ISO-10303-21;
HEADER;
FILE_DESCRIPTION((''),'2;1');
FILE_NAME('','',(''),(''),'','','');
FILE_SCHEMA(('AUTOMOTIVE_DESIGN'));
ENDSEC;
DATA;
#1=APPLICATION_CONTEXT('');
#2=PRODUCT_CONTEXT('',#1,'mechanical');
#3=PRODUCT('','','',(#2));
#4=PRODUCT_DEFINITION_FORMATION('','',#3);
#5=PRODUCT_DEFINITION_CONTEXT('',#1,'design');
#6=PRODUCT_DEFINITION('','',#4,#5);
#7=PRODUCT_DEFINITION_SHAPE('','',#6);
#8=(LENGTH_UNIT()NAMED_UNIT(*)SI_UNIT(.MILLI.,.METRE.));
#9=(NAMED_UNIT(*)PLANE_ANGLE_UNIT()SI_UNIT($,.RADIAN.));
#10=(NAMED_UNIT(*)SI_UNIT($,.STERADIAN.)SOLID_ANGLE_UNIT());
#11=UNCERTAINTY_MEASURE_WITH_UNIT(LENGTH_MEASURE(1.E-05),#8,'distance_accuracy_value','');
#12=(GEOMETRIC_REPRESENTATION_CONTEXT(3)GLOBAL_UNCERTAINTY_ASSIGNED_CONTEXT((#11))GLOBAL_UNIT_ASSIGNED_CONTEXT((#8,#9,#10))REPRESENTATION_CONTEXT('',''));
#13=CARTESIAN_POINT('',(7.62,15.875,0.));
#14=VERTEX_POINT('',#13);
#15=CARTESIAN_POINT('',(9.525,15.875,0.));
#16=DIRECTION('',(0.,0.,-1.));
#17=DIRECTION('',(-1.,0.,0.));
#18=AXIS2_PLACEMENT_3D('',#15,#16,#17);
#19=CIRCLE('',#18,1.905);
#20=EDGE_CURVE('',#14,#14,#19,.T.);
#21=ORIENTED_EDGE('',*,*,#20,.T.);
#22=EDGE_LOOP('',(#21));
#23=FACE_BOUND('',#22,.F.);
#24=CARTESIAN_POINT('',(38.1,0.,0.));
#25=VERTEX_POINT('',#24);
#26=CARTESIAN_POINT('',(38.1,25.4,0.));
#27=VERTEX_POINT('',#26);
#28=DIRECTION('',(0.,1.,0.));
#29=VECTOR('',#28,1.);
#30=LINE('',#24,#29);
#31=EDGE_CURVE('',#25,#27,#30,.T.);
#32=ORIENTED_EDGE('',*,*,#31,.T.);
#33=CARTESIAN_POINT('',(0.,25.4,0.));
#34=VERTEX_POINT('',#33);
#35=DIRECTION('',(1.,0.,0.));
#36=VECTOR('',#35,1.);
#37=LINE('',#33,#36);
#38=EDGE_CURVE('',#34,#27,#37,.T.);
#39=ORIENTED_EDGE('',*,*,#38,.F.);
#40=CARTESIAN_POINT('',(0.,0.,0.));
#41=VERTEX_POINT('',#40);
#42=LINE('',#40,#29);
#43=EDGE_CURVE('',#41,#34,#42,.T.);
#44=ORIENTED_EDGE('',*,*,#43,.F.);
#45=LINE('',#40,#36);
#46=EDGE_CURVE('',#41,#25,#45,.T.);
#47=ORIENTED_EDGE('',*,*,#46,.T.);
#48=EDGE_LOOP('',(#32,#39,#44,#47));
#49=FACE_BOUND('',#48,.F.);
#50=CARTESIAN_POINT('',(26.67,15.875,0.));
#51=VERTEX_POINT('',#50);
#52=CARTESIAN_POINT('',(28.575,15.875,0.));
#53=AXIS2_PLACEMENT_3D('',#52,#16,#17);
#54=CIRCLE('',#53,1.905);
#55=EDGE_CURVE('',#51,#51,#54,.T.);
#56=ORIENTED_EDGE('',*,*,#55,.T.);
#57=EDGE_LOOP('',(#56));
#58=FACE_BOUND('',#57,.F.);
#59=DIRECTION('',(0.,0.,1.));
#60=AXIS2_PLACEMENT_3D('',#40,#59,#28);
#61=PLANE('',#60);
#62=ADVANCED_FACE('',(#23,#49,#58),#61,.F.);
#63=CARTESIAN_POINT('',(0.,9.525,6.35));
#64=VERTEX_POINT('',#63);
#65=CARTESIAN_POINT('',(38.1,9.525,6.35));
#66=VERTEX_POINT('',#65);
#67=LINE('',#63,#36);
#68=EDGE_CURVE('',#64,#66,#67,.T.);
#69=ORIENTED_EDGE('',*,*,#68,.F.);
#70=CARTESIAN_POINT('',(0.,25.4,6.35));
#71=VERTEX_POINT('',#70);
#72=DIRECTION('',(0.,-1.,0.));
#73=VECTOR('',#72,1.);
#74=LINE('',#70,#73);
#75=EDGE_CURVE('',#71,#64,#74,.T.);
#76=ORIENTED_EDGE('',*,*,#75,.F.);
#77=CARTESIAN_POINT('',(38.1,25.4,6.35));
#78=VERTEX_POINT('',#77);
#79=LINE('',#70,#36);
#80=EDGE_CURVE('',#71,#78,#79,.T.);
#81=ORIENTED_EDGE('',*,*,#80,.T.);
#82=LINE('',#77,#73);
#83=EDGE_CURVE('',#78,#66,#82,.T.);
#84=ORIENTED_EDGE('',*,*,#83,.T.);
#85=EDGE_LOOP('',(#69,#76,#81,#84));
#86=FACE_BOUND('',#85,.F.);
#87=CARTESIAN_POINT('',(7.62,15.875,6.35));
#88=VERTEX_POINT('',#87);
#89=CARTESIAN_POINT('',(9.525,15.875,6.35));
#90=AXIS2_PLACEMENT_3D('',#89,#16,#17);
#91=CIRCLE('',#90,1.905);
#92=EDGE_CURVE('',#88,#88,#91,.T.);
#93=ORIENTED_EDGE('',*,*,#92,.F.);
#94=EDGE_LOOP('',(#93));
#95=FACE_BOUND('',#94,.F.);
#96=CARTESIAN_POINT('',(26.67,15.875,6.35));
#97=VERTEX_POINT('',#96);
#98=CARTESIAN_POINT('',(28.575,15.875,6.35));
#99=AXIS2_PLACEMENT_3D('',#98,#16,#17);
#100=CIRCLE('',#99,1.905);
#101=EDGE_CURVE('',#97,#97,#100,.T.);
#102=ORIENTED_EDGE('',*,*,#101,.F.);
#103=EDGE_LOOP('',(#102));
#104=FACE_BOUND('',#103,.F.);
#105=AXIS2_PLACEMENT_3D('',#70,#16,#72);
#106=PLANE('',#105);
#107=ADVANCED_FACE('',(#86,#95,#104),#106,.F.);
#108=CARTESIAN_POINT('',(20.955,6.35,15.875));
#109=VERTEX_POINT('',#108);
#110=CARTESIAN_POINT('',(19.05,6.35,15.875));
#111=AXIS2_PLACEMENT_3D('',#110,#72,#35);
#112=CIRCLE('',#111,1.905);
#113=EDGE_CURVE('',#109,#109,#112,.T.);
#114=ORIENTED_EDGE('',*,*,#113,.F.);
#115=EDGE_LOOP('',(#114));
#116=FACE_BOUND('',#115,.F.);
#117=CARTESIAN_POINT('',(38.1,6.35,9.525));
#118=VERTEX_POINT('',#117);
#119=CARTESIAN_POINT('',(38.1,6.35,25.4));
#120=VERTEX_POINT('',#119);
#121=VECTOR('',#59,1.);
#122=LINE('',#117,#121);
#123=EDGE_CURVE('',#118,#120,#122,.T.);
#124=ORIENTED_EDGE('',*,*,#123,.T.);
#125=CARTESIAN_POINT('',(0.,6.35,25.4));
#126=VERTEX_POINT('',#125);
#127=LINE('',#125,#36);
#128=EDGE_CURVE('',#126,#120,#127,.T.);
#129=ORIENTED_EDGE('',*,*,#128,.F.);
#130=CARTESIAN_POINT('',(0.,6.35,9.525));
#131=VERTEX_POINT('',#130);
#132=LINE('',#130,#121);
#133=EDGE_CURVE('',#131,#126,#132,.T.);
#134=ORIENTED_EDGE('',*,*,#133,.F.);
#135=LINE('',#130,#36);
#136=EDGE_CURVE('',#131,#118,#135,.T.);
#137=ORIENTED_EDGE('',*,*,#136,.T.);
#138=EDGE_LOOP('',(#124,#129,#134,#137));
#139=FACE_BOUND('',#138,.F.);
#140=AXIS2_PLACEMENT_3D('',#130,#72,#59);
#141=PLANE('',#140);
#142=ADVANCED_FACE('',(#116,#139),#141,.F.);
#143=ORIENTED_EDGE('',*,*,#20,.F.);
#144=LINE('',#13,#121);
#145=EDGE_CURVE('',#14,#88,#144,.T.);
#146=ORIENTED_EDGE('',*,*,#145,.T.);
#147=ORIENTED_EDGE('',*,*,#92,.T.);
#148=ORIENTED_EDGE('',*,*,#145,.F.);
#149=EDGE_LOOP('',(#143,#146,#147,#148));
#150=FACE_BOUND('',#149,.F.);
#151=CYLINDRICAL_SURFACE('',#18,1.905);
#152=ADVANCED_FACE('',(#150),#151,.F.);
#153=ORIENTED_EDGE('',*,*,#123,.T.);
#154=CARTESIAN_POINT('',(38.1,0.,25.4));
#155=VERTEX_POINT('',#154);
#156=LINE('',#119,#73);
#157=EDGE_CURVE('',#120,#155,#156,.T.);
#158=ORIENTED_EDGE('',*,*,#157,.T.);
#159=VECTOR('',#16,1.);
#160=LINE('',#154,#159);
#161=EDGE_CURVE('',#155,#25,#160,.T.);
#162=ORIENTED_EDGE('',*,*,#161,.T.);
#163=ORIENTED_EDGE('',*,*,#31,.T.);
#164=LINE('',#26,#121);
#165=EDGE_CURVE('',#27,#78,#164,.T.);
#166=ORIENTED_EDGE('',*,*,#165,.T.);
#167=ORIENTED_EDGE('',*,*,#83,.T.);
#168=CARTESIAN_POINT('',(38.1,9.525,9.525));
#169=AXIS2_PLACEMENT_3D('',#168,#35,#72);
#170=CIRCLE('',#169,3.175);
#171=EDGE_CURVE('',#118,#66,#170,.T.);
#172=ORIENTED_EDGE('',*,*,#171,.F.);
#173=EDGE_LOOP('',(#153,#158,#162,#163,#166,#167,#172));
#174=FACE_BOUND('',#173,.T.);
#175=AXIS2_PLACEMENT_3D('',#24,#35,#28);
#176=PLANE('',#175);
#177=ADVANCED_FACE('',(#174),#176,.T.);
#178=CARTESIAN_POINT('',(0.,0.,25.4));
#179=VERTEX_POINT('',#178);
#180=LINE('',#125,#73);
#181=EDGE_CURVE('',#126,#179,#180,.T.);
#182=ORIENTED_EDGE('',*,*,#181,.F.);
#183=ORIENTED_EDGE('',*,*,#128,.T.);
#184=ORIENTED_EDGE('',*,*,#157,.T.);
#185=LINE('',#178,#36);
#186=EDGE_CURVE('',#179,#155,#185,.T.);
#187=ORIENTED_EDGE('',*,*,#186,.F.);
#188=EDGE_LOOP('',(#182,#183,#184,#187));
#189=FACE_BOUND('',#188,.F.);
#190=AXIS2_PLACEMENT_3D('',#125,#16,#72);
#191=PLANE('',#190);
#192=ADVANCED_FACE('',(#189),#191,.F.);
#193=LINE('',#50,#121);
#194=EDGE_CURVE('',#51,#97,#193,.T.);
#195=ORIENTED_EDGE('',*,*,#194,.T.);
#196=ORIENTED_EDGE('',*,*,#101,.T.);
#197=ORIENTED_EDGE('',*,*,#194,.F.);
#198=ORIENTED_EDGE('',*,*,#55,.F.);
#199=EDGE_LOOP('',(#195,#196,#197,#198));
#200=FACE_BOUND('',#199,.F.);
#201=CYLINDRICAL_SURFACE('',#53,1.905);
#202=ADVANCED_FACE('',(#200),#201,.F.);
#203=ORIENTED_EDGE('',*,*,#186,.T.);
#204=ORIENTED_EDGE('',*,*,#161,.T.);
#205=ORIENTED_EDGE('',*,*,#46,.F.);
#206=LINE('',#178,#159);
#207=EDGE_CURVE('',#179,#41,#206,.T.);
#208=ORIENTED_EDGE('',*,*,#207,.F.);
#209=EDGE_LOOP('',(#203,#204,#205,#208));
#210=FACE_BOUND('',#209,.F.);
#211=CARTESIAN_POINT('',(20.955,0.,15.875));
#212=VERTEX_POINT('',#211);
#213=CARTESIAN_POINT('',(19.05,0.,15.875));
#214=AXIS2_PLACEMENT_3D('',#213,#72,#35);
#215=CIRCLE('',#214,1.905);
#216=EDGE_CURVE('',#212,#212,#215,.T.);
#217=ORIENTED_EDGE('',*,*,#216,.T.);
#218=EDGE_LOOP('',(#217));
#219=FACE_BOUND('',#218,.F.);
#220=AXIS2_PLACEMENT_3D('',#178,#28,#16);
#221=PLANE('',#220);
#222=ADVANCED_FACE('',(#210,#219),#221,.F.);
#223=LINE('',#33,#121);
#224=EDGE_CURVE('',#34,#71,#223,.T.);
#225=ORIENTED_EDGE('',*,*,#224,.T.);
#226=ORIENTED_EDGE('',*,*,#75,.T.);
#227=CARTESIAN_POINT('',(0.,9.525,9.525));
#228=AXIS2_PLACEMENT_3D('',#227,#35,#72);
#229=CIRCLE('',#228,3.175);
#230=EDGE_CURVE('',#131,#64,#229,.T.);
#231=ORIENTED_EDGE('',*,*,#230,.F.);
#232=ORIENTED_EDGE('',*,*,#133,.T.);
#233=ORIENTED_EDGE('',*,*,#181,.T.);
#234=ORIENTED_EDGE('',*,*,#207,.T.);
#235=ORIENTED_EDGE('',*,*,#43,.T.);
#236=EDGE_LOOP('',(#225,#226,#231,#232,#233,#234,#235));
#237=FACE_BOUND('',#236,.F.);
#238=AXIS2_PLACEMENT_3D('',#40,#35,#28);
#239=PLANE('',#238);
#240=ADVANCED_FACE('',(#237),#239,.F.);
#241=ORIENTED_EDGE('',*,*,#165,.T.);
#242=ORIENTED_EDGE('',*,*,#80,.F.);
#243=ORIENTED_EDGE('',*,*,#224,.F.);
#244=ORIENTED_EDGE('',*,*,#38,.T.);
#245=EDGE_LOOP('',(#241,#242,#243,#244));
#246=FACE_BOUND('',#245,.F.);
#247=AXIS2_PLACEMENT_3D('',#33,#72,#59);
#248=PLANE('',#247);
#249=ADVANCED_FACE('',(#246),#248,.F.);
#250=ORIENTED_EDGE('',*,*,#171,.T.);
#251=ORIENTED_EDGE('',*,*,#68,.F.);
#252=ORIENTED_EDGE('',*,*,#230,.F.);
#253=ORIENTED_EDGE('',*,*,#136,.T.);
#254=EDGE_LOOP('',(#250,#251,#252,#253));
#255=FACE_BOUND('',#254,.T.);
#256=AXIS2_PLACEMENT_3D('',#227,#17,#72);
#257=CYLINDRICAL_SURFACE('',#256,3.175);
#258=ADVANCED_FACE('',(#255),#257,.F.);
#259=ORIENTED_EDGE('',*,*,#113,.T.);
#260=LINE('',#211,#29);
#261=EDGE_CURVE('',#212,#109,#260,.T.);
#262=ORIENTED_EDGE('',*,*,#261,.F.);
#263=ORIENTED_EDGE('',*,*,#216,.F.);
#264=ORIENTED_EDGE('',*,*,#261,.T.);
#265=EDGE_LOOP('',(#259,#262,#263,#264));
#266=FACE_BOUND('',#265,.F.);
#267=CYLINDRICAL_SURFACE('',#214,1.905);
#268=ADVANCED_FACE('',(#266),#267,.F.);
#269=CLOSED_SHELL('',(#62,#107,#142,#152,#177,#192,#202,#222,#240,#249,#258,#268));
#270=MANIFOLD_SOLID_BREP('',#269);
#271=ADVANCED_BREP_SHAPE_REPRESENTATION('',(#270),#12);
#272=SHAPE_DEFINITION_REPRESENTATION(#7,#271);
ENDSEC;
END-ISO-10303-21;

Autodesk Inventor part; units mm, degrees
ref_plane "YZ Plane" through (0, 0, 0) normal (1, 0, 0) x (0, 1, 0)
ref_plane "XZ Plane" through (0, 0, 0) normal (0, 1, 0) x (-1, 0, 0)
ref_plane "XY Plane" through (0, 0, 0) normal (0, 0, 1) x (1, 0, 0)
sketch "Sketch1" plane through (0, 0, 0) normal (1, 0, 0) x (0, 1, 0)
  line L0 (0, 25.4) -> (0, 0)
  line L1 (0, 0) -> (25.4, 0)
  line L2 (25.4, 0) -> (25.4, 6.35)
  line L3 (25.4, 6.35) -> (9.525, 6.35)
  line L4 (6.35, 9.525) -> (6.35, 25.4)
  line L5 (6.35, 25.4) -> (0, 25.4)
  arc A0 (6.35, 9.525) -> (9.525, 6.35) centre (9.525, 9.525) ccw
  dimension "d0" = 3.175
  dimension "d1" = 25.4
  dimension "d2" = 6.35
extrude "Extrusion1" add sketch "Sketch1" along normal blind 38.1
sketch "Sketch2" plane through (0, 0, 0) normal (0, 0, -1) x (-1, 0, 0)
  line L0 (0, 6.35) -> (-38.1, 6.35) construction
  line L1 (0, 25.4) -> (-38.1, 25.4) construction
  circle A0 centre (-28.575, 15.875) radius 1.905
  line L2 (-28.575, 25.4) -> (-28.575, 6.35) construction
  line L3 (-19.05, 6.35) -> (-19.05, 25.4) construction
  line L4 (-9.525, 25.4) -> (-9.525, 6.35) construction
  circle A1 centre (-9.525, 15.875) radius 1.905
  point P0 (0, 0)
  dimension "d5" = 3.81
  dimension "d11" = 19.05
extrude "Extrusion2" cut sketch "Sketch2" against normal through all
sketch "Sketch3" plane through (0, 0, 0) normal (0, -1, 0) x (1, 0, 0)
  line L0 (0, 6.35) -> (38.1, 6.35) construction
  line L1 (26.67, 6.35) -> (30.48, 6.35) construction
  line L2 (0, 25.4) -> (38.1, 25.4) construction
  circle A0 centre (19.05, 15.875) radius 1.905
  line L3 (0, 25.4) -> (38.1, 25.4) construction
  line L4 (19.05, 25.4) -> (19.05, 6.35) construction
  point P0 (0, 0)
  point P1 (19.05, 15.875)
  dimension "d8" = 3.81
extrude "Extrusion3" cut sketch "Sketch3" against normal through all
properties part number "Tension Angle"
